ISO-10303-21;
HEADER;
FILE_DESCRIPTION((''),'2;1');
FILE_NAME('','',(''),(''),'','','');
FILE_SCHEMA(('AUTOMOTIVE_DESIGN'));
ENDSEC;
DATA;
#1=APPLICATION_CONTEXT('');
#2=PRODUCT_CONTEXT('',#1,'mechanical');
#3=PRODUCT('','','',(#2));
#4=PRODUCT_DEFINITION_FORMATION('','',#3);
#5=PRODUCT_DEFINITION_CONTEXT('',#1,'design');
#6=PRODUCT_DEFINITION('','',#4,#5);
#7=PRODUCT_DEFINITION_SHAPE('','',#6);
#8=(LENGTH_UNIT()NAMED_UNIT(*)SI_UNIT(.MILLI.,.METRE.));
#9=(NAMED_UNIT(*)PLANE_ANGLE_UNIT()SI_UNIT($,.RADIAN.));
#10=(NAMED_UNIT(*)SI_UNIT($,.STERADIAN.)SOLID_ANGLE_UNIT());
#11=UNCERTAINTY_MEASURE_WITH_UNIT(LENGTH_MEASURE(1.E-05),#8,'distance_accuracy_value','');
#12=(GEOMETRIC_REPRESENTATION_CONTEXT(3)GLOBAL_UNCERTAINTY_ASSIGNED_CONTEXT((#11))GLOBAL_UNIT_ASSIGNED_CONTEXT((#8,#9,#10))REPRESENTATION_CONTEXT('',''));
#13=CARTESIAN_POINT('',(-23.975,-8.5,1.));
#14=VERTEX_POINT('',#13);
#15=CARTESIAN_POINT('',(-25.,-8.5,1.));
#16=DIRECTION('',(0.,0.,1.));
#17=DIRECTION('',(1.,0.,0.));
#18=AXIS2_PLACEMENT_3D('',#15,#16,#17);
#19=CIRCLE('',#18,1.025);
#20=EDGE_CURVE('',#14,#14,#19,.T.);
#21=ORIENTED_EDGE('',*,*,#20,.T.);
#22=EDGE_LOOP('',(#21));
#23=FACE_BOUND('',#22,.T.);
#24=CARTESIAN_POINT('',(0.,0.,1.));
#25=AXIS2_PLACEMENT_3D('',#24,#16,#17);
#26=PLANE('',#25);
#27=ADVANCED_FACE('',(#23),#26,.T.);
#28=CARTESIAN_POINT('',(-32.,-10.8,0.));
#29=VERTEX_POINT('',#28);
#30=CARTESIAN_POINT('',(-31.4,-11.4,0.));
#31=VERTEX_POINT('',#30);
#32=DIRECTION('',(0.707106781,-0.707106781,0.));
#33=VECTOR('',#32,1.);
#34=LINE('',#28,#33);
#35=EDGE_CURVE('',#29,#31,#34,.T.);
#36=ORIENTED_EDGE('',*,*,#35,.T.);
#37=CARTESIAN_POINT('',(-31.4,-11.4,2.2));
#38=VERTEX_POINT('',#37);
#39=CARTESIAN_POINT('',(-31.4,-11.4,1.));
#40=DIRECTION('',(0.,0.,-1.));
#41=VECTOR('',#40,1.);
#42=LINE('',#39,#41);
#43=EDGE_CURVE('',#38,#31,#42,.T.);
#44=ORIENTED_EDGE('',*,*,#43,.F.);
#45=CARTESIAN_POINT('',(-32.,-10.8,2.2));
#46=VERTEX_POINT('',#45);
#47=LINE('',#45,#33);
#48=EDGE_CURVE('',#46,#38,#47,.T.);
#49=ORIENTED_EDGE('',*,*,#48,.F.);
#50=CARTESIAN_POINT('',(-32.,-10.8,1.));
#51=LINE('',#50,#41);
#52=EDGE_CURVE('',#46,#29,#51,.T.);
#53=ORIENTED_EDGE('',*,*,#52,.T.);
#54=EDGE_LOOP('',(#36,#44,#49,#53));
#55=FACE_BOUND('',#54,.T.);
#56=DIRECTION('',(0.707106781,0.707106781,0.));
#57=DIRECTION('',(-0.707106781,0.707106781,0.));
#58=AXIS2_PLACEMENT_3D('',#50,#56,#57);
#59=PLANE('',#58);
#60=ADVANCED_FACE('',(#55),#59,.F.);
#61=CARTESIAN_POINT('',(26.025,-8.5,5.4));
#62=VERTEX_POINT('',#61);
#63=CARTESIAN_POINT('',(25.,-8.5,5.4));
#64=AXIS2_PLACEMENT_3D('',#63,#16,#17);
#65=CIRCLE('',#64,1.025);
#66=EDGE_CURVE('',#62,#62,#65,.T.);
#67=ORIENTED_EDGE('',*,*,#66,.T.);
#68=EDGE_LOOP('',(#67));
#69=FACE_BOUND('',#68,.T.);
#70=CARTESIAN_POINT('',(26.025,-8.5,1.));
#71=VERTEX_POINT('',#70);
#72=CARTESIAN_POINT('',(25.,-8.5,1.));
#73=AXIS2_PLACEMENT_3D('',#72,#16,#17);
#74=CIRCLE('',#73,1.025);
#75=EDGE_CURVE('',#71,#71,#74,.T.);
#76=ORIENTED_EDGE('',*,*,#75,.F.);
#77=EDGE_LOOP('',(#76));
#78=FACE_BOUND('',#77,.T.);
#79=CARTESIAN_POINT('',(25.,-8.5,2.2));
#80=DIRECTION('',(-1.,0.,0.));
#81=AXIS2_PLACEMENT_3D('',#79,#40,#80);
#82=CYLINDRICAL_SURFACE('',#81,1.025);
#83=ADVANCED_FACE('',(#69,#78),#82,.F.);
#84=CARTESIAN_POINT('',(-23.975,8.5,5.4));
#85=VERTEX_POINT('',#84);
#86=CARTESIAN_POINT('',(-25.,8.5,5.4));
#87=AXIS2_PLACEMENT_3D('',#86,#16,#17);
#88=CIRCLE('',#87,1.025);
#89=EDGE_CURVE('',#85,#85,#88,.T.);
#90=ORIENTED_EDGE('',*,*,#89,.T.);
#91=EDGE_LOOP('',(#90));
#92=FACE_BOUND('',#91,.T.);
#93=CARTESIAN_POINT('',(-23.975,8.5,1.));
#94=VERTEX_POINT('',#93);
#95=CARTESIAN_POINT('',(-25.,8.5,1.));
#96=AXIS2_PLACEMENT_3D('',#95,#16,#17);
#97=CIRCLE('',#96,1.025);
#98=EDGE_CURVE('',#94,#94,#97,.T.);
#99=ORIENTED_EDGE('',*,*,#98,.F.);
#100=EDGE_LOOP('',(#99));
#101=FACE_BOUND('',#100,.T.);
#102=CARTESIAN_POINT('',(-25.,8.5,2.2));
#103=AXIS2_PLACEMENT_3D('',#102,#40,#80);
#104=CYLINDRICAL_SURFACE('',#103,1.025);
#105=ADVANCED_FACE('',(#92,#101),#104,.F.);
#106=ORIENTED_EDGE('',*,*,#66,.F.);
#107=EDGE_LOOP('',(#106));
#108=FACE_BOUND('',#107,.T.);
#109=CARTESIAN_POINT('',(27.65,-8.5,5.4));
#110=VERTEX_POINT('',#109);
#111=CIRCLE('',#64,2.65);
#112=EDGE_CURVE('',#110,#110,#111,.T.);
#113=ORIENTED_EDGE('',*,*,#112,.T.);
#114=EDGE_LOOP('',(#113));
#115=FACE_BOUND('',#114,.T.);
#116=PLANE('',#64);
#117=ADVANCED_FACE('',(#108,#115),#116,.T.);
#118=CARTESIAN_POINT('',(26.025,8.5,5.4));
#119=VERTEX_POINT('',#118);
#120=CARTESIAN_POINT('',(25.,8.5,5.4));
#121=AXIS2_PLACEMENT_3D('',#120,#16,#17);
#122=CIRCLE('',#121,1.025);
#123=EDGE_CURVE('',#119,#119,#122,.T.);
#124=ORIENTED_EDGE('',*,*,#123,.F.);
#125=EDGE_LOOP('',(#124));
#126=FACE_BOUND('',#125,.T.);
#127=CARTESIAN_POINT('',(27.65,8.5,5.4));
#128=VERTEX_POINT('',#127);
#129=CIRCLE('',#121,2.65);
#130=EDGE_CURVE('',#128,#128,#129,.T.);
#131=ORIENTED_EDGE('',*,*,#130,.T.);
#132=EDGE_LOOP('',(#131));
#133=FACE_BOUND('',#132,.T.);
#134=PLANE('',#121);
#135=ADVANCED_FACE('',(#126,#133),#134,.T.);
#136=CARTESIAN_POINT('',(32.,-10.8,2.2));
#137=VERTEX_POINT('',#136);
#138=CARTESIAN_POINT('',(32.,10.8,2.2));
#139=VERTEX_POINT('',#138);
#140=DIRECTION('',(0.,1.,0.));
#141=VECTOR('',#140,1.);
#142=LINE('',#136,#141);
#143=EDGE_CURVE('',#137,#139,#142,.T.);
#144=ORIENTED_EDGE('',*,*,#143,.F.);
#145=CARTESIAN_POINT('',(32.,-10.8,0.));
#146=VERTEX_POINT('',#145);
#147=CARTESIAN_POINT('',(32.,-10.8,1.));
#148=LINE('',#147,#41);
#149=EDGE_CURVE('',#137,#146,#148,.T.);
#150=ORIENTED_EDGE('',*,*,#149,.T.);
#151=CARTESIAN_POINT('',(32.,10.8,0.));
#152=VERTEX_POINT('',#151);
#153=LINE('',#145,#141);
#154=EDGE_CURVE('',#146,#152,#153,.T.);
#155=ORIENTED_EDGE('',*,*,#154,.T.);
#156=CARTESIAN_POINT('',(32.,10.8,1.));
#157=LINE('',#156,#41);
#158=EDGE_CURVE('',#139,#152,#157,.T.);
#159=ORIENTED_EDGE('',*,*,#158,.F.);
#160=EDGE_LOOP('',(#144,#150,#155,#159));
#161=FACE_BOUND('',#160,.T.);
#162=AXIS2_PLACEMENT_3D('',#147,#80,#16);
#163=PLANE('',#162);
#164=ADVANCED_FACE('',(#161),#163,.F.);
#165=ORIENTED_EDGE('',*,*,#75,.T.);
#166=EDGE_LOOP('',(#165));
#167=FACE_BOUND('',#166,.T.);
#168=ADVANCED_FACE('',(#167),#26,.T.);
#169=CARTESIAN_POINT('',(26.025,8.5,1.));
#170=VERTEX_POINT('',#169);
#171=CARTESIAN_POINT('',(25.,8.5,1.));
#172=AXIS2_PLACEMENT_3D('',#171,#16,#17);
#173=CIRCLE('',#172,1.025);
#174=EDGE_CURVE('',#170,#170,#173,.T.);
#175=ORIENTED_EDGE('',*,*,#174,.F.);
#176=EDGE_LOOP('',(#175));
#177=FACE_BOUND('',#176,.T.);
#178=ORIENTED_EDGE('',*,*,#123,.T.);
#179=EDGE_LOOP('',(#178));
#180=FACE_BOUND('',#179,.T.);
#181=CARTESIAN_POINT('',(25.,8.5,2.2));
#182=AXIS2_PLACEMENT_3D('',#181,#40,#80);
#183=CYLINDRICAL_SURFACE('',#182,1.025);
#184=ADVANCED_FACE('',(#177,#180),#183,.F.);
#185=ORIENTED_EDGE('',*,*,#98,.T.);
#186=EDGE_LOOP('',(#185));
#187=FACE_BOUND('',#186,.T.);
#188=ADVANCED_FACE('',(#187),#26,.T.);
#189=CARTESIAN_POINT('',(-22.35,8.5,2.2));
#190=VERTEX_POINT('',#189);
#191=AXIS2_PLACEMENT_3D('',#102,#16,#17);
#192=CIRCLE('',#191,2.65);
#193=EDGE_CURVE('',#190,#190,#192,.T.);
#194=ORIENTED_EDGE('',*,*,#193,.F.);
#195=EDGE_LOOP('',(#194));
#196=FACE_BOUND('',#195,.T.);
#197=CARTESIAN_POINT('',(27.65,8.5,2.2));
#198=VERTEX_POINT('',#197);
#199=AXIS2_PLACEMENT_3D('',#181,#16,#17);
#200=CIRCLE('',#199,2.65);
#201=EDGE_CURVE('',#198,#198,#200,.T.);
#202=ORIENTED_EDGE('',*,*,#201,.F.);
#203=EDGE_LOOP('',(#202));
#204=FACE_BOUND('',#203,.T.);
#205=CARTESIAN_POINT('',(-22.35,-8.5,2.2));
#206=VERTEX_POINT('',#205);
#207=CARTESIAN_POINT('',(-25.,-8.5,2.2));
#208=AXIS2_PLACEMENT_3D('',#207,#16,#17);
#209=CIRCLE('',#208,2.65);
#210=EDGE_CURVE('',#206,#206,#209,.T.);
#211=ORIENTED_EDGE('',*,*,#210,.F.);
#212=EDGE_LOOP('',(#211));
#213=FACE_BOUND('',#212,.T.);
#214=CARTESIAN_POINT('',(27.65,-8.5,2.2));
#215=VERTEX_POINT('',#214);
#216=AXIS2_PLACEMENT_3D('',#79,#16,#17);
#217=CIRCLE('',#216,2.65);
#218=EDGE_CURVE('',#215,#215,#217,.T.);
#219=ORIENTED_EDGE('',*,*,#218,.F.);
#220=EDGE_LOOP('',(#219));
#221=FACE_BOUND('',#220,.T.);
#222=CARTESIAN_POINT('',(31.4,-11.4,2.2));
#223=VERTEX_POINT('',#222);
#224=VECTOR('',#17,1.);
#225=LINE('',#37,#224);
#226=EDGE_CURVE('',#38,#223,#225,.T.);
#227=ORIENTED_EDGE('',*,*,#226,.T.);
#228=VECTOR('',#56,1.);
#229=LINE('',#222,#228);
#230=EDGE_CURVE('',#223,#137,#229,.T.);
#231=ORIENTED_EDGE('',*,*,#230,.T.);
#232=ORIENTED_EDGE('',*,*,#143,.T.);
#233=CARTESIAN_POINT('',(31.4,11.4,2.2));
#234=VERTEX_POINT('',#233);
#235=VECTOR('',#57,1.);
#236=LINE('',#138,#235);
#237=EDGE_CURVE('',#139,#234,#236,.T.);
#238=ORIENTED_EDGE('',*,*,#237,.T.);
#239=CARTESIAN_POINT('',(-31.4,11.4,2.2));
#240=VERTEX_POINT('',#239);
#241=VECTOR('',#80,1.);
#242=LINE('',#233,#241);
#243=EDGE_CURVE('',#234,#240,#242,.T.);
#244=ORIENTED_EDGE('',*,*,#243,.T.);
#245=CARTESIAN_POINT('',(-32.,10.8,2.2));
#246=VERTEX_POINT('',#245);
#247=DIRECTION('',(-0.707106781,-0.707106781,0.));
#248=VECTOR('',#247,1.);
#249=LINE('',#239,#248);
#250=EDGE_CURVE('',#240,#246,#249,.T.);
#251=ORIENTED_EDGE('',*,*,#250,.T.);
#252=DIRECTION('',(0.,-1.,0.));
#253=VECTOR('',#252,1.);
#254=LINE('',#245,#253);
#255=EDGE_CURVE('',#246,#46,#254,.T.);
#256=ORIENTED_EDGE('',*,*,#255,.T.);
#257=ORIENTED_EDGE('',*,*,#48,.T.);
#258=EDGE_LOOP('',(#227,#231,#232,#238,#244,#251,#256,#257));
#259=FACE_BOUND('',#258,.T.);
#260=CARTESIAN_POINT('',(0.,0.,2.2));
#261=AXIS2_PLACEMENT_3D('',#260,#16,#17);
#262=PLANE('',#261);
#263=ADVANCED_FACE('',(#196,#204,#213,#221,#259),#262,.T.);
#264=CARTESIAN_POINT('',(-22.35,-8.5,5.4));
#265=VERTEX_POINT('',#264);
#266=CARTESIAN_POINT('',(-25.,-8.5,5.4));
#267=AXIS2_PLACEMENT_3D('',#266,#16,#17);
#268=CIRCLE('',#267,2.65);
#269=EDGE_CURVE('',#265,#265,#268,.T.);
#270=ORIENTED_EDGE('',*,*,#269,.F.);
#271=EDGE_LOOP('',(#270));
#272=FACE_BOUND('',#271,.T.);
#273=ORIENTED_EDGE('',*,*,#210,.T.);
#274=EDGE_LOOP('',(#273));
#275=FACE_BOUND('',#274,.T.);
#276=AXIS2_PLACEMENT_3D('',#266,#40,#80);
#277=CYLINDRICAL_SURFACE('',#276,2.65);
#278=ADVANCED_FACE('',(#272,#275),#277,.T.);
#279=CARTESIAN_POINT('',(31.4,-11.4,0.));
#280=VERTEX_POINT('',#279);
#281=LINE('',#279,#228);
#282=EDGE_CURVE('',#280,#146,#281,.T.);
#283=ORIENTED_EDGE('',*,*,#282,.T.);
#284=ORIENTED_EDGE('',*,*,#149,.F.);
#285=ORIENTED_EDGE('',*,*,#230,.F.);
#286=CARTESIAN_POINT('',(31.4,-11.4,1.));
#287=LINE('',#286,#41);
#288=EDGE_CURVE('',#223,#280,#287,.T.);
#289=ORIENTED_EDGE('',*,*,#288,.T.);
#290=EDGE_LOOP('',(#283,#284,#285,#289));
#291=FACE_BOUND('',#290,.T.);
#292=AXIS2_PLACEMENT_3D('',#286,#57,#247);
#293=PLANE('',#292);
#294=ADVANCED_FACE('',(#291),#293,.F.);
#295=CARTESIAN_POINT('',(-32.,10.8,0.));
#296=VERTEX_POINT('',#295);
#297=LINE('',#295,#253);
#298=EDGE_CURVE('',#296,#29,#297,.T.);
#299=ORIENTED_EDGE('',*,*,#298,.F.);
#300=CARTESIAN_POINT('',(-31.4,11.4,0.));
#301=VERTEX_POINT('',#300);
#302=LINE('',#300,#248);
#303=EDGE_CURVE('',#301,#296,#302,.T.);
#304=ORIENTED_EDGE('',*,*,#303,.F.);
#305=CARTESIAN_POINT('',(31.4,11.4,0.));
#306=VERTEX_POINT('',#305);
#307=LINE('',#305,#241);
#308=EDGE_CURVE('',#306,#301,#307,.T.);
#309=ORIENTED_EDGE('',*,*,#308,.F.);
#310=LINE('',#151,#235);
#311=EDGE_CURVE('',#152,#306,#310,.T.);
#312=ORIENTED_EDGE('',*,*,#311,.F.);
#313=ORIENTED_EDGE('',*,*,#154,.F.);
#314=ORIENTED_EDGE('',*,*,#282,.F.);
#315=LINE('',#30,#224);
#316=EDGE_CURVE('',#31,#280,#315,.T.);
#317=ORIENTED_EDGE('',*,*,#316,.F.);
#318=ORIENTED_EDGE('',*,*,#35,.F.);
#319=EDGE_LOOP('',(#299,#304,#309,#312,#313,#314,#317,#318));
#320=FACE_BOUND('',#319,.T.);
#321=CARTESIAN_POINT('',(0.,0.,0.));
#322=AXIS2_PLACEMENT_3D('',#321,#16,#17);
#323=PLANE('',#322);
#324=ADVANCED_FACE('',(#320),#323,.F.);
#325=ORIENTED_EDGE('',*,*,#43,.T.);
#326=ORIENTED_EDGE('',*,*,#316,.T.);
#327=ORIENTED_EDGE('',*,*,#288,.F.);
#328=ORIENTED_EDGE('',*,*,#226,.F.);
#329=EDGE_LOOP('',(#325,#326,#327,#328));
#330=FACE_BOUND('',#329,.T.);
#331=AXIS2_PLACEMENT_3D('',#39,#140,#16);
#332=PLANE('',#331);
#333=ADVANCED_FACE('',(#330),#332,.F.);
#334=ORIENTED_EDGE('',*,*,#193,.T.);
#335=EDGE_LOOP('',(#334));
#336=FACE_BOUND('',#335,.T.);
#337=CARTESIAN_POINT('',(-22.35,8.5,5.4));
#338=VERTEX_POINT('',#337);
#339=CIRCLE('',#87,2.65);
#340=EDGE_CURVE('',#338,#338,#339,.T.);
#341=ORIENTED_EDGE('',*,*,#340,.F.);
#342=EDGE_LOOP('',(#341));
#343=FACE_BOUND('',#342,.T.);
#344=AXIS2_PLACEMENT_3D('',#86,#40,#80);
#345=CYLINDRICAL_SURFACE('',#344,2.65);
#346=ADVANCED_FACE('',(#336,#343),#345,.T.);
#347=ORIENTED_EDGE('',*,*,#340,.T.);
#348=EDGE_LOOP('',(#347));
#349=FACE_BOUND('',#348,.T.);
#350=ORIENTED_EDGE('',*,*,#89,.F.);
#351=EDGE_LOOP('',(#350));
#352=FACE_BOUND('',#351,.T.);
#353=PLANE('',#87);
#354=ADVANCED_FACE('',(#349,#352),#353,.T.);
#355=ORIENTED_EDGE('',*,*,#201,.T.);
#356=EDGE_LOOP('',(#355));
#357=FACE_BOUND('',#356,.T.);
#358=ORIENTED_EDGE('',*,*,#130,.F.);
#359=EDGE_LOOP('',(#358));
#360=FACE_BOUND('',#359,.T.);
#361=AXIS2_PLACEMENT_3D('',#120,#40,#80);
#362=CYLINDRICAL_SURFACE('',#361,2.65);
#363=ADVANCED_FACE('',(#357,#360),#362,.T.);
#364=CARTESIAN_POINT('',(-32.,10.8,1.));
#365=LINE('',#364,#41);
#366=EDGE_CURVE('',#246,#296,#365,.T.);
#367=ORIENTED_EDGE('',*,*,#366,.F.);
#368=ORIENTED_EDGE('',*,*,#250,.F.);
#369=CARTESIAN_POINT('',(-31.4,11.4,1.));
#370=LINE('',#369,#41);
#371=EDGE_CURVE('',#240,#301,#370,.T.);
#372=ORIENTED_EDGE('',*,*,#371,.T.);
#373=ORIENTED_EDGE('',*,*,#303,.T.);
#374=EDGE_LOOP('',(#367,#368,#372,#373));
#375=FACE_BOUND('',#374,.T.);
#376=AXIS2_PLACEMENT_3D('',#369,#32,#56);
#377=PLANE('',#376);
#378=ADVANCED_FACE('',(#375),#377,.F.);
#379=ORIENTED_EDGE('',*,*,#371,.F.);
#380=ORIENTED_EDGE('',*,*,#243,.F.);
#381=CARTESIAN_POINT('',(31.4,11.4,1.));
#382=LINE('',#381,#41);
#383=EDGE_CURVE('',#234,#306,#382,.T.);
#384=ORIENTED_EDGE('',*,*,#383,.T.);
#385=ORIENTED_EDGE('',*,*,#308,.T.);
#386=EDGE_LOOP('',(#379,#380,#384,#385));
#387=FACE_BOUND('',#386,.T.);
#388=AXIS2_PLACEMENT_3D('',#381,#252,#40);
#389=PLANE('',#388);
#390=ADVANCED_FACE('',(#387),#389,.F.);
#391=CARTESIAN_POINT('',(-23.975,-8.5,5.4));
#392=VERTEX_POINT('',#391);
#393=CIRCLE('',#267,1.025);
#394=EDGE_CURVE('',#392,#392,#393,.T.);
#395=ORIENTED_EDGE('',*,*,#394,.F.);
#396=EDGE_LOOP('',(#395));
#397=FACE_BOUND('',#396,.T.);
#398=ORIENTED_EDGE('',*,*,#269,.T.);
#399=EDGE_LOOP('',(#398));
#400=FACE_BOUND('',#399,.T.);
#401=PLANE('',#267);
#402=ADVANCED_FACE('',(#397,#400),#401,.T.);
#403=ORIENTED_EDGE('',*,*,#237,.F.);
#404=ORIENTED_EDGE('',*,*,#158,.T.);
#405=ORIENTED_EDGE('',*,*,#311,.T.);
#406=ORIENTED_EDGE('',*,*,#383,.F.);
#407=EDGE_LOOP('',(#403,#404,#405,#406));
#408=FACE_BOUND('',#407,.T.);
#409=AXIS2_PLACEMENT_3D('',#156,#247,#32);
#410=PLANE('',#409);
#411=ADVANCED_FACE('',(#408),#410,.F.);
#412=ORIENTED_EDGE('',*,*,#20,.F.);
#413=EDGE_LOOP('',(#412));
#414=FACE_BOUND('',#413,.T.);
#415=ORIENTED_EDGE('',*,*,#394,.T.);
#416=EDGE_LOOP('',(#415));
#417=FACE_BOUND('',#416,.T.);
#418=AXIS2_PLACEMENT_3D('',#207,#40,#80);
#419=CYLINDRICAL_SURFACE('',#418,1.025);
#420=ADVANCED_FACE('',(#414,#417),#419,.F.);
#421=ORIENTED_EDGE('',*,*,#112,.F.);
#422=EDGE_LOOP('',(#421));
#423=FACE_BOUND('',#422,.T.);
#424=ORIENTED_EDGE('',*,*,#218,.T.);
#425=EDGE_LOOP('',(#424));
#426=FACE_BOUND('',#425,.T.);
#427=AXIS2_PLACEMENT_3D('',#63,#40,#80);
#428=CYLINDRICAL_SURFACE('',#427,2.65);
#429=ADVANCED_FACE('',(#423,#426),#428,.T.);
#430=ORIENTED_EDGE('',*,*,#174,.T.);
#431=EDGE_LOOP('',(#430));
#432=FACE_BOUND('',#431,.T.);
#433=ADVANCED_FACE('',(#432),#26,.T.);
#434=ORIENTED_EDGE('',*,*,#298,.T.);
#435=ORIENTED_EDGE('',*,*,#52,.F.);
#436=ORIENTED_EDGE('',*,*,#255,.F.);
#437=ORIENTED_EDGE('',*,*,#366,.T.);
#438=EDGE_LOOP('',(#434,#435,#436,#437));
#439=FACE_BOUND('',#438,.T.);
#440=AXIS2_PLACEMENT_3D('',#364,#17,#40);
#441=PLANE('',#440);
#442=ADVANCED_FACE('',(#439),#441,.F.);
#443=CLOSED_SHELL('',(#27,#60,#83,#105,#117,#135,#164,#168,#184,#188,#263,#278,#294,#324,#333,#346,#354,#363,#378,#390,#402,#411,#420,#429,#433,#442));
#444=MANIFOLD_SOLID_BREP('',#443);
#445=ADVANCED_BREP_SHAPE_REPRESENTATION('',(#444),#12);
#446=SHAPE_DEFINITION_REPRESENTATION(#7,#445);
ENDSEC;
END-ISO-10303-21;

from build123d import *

# Parameters (mm, degrees)
FLAT_BACK_OF_SEPARATELY_PRINTED_SLIDE_IN_DEPTH = 1
PLATE_START                                    = 1
PLATE_RIM_WITH_BLIND_D2_05_PILOT_BOT_2_R       = 1.025
PLATE_RIM_WITH_BLIND_D2_05_PILOT_BOTTOMS_DEPTH = 1.2
RAISED_START                                   = 2.2
RAISED_POWER_BOARD_SUPPORTS_NO_NUT_2_R         = 2.65
RAISED_POWER_BOARD_SUPPORTS_NO_NUT_2_R_2       = 1.025
RAISED_POWER_BOARD_SUPPORTS_NO_NUTS_BE_DEPTH   = 3.2


with BuildPart() as part:
    # Flat back of separately printed slid 2 → Flat back of separately printed slide-in (new body)
    with BuildSketch(Plane.XY):
        Polygon((-31.4, -11.4), (31.4, -11.4), (32, -10.8), (32, 10.8), (31.4, 11.4), (-31.4, 11.4), (-32, 10.8), (-32, -10.8), align=None)
    extrude(amount=FLAT_BACK_OF_SEPARATELY_PRINTED_SLIDE_IN_DEPTH)

    # Plate rim with blind D2.05 pilot bot 2 → Plate rim with blind D2.05 pilot bottoms (add)
    with BuildSketch(Plane.XY.offset(PLATE_START)):
        Polygon((-31.4, -11.4), (31.4, -11.4), (32, -10.8), (32, 10.8), (31.4, 11.4), (-31.4, 11.4), (-32, 10.8), (-32, -10.8), align=None)
        with Locations((-25, -8.5)):
            Circle(PLATE_RIM_WITH_BLIND_D2_05_PILOT_BOT_2_R, mode=Mode.SUBTRACT)
        with Locations((-25, 8.5)):
            Circle(PLATE_RIM_WITH_BLIND_D2_05_PILOT_BOT_2_R, mode=Mode.SUBTRACT)
        with Locations((25, -8.5)):
            Circle(PLATE_RIM_WITH_BLIND_D2_05_PILOT_BOT_2_R, mode=Mode.SUBTRACT)
        with Locations((25, 8.5)):
            Circle(PLATE_RIM_WITH_BLIND_D2_05_PILOT_BOT_2_R, mode=Mode.SUBTRACT)
    extrude(amount=PLATE_RIM_WITH_BLIND_D2_05_PILOT_BOTTOMS_DEPTH)

    # Raised power board supports - no nut 2 → Raised power board supports - no nuts be (add)
    # profile 1 of 4: a face of its own
    with BuildSketch(Plane.XY.offset(RAISED_START)):
        with Locations((-25, -8.5)):
            Circle(RAISED_POWER_BOARD_SUPPORTS_NO_NUT_2_R)
        with Locations((-25, -8.5)):
            Circle(RAISED_POWER_BOARD_SUPPORTS_NO_NUT_2_R_2, mode=Mode.SUBTRACT)
    # profile 2 of 4: a face of its own
    with BuildSketch(Plane.XY.offset(RAISED_START)):
        with Locations((-25, 8.5)):
            Circle(RAISED_POWER_BOARD_SUPPORTS_NO_NUT_2_R)
        with Locations((-25, 8.5)):
            Circle(RAISED_POWER_BOARD_SUPPORTS_NO_NUT_2_R_2, mode=Mode.SUBTRACT)
    # profile 3 of 4: a face of its own
    with BuildSketch(Plane.XY.offset(RAISED_START)):
        with Locations((25, -8.5)):
            Circle(RAISED_POWER_BOARD_SUPPORTS_NO_NUT_2_R)
        with Locations((25, -8.5)):
            Circle(RAISED_POWER_BOARD_SUPPORTS_NO_NUT_2_R_2, mode=Mode.SUBTRACT)
    # profile 4 of 4: a face of its own
    with BuildSketch(Plane.XY.offset(RAISED_START)):
        with Locations((25, 8.5)):
            Circle(RAISED_POWER_BOARD_SUPPORTS_NO_NUT_2_R)
        with Locations((25, 8.5)):
            Circle(RAISED_POWER_BOARD_SUPPORTS_NO_NUT_2_R_2, mode=Mode.SUBTRACT)
    extrude(amount=RAISED_POWER_BOARD_SUPPORTS_NO_NUTS_BE_DEPTH)


solid = part.part
